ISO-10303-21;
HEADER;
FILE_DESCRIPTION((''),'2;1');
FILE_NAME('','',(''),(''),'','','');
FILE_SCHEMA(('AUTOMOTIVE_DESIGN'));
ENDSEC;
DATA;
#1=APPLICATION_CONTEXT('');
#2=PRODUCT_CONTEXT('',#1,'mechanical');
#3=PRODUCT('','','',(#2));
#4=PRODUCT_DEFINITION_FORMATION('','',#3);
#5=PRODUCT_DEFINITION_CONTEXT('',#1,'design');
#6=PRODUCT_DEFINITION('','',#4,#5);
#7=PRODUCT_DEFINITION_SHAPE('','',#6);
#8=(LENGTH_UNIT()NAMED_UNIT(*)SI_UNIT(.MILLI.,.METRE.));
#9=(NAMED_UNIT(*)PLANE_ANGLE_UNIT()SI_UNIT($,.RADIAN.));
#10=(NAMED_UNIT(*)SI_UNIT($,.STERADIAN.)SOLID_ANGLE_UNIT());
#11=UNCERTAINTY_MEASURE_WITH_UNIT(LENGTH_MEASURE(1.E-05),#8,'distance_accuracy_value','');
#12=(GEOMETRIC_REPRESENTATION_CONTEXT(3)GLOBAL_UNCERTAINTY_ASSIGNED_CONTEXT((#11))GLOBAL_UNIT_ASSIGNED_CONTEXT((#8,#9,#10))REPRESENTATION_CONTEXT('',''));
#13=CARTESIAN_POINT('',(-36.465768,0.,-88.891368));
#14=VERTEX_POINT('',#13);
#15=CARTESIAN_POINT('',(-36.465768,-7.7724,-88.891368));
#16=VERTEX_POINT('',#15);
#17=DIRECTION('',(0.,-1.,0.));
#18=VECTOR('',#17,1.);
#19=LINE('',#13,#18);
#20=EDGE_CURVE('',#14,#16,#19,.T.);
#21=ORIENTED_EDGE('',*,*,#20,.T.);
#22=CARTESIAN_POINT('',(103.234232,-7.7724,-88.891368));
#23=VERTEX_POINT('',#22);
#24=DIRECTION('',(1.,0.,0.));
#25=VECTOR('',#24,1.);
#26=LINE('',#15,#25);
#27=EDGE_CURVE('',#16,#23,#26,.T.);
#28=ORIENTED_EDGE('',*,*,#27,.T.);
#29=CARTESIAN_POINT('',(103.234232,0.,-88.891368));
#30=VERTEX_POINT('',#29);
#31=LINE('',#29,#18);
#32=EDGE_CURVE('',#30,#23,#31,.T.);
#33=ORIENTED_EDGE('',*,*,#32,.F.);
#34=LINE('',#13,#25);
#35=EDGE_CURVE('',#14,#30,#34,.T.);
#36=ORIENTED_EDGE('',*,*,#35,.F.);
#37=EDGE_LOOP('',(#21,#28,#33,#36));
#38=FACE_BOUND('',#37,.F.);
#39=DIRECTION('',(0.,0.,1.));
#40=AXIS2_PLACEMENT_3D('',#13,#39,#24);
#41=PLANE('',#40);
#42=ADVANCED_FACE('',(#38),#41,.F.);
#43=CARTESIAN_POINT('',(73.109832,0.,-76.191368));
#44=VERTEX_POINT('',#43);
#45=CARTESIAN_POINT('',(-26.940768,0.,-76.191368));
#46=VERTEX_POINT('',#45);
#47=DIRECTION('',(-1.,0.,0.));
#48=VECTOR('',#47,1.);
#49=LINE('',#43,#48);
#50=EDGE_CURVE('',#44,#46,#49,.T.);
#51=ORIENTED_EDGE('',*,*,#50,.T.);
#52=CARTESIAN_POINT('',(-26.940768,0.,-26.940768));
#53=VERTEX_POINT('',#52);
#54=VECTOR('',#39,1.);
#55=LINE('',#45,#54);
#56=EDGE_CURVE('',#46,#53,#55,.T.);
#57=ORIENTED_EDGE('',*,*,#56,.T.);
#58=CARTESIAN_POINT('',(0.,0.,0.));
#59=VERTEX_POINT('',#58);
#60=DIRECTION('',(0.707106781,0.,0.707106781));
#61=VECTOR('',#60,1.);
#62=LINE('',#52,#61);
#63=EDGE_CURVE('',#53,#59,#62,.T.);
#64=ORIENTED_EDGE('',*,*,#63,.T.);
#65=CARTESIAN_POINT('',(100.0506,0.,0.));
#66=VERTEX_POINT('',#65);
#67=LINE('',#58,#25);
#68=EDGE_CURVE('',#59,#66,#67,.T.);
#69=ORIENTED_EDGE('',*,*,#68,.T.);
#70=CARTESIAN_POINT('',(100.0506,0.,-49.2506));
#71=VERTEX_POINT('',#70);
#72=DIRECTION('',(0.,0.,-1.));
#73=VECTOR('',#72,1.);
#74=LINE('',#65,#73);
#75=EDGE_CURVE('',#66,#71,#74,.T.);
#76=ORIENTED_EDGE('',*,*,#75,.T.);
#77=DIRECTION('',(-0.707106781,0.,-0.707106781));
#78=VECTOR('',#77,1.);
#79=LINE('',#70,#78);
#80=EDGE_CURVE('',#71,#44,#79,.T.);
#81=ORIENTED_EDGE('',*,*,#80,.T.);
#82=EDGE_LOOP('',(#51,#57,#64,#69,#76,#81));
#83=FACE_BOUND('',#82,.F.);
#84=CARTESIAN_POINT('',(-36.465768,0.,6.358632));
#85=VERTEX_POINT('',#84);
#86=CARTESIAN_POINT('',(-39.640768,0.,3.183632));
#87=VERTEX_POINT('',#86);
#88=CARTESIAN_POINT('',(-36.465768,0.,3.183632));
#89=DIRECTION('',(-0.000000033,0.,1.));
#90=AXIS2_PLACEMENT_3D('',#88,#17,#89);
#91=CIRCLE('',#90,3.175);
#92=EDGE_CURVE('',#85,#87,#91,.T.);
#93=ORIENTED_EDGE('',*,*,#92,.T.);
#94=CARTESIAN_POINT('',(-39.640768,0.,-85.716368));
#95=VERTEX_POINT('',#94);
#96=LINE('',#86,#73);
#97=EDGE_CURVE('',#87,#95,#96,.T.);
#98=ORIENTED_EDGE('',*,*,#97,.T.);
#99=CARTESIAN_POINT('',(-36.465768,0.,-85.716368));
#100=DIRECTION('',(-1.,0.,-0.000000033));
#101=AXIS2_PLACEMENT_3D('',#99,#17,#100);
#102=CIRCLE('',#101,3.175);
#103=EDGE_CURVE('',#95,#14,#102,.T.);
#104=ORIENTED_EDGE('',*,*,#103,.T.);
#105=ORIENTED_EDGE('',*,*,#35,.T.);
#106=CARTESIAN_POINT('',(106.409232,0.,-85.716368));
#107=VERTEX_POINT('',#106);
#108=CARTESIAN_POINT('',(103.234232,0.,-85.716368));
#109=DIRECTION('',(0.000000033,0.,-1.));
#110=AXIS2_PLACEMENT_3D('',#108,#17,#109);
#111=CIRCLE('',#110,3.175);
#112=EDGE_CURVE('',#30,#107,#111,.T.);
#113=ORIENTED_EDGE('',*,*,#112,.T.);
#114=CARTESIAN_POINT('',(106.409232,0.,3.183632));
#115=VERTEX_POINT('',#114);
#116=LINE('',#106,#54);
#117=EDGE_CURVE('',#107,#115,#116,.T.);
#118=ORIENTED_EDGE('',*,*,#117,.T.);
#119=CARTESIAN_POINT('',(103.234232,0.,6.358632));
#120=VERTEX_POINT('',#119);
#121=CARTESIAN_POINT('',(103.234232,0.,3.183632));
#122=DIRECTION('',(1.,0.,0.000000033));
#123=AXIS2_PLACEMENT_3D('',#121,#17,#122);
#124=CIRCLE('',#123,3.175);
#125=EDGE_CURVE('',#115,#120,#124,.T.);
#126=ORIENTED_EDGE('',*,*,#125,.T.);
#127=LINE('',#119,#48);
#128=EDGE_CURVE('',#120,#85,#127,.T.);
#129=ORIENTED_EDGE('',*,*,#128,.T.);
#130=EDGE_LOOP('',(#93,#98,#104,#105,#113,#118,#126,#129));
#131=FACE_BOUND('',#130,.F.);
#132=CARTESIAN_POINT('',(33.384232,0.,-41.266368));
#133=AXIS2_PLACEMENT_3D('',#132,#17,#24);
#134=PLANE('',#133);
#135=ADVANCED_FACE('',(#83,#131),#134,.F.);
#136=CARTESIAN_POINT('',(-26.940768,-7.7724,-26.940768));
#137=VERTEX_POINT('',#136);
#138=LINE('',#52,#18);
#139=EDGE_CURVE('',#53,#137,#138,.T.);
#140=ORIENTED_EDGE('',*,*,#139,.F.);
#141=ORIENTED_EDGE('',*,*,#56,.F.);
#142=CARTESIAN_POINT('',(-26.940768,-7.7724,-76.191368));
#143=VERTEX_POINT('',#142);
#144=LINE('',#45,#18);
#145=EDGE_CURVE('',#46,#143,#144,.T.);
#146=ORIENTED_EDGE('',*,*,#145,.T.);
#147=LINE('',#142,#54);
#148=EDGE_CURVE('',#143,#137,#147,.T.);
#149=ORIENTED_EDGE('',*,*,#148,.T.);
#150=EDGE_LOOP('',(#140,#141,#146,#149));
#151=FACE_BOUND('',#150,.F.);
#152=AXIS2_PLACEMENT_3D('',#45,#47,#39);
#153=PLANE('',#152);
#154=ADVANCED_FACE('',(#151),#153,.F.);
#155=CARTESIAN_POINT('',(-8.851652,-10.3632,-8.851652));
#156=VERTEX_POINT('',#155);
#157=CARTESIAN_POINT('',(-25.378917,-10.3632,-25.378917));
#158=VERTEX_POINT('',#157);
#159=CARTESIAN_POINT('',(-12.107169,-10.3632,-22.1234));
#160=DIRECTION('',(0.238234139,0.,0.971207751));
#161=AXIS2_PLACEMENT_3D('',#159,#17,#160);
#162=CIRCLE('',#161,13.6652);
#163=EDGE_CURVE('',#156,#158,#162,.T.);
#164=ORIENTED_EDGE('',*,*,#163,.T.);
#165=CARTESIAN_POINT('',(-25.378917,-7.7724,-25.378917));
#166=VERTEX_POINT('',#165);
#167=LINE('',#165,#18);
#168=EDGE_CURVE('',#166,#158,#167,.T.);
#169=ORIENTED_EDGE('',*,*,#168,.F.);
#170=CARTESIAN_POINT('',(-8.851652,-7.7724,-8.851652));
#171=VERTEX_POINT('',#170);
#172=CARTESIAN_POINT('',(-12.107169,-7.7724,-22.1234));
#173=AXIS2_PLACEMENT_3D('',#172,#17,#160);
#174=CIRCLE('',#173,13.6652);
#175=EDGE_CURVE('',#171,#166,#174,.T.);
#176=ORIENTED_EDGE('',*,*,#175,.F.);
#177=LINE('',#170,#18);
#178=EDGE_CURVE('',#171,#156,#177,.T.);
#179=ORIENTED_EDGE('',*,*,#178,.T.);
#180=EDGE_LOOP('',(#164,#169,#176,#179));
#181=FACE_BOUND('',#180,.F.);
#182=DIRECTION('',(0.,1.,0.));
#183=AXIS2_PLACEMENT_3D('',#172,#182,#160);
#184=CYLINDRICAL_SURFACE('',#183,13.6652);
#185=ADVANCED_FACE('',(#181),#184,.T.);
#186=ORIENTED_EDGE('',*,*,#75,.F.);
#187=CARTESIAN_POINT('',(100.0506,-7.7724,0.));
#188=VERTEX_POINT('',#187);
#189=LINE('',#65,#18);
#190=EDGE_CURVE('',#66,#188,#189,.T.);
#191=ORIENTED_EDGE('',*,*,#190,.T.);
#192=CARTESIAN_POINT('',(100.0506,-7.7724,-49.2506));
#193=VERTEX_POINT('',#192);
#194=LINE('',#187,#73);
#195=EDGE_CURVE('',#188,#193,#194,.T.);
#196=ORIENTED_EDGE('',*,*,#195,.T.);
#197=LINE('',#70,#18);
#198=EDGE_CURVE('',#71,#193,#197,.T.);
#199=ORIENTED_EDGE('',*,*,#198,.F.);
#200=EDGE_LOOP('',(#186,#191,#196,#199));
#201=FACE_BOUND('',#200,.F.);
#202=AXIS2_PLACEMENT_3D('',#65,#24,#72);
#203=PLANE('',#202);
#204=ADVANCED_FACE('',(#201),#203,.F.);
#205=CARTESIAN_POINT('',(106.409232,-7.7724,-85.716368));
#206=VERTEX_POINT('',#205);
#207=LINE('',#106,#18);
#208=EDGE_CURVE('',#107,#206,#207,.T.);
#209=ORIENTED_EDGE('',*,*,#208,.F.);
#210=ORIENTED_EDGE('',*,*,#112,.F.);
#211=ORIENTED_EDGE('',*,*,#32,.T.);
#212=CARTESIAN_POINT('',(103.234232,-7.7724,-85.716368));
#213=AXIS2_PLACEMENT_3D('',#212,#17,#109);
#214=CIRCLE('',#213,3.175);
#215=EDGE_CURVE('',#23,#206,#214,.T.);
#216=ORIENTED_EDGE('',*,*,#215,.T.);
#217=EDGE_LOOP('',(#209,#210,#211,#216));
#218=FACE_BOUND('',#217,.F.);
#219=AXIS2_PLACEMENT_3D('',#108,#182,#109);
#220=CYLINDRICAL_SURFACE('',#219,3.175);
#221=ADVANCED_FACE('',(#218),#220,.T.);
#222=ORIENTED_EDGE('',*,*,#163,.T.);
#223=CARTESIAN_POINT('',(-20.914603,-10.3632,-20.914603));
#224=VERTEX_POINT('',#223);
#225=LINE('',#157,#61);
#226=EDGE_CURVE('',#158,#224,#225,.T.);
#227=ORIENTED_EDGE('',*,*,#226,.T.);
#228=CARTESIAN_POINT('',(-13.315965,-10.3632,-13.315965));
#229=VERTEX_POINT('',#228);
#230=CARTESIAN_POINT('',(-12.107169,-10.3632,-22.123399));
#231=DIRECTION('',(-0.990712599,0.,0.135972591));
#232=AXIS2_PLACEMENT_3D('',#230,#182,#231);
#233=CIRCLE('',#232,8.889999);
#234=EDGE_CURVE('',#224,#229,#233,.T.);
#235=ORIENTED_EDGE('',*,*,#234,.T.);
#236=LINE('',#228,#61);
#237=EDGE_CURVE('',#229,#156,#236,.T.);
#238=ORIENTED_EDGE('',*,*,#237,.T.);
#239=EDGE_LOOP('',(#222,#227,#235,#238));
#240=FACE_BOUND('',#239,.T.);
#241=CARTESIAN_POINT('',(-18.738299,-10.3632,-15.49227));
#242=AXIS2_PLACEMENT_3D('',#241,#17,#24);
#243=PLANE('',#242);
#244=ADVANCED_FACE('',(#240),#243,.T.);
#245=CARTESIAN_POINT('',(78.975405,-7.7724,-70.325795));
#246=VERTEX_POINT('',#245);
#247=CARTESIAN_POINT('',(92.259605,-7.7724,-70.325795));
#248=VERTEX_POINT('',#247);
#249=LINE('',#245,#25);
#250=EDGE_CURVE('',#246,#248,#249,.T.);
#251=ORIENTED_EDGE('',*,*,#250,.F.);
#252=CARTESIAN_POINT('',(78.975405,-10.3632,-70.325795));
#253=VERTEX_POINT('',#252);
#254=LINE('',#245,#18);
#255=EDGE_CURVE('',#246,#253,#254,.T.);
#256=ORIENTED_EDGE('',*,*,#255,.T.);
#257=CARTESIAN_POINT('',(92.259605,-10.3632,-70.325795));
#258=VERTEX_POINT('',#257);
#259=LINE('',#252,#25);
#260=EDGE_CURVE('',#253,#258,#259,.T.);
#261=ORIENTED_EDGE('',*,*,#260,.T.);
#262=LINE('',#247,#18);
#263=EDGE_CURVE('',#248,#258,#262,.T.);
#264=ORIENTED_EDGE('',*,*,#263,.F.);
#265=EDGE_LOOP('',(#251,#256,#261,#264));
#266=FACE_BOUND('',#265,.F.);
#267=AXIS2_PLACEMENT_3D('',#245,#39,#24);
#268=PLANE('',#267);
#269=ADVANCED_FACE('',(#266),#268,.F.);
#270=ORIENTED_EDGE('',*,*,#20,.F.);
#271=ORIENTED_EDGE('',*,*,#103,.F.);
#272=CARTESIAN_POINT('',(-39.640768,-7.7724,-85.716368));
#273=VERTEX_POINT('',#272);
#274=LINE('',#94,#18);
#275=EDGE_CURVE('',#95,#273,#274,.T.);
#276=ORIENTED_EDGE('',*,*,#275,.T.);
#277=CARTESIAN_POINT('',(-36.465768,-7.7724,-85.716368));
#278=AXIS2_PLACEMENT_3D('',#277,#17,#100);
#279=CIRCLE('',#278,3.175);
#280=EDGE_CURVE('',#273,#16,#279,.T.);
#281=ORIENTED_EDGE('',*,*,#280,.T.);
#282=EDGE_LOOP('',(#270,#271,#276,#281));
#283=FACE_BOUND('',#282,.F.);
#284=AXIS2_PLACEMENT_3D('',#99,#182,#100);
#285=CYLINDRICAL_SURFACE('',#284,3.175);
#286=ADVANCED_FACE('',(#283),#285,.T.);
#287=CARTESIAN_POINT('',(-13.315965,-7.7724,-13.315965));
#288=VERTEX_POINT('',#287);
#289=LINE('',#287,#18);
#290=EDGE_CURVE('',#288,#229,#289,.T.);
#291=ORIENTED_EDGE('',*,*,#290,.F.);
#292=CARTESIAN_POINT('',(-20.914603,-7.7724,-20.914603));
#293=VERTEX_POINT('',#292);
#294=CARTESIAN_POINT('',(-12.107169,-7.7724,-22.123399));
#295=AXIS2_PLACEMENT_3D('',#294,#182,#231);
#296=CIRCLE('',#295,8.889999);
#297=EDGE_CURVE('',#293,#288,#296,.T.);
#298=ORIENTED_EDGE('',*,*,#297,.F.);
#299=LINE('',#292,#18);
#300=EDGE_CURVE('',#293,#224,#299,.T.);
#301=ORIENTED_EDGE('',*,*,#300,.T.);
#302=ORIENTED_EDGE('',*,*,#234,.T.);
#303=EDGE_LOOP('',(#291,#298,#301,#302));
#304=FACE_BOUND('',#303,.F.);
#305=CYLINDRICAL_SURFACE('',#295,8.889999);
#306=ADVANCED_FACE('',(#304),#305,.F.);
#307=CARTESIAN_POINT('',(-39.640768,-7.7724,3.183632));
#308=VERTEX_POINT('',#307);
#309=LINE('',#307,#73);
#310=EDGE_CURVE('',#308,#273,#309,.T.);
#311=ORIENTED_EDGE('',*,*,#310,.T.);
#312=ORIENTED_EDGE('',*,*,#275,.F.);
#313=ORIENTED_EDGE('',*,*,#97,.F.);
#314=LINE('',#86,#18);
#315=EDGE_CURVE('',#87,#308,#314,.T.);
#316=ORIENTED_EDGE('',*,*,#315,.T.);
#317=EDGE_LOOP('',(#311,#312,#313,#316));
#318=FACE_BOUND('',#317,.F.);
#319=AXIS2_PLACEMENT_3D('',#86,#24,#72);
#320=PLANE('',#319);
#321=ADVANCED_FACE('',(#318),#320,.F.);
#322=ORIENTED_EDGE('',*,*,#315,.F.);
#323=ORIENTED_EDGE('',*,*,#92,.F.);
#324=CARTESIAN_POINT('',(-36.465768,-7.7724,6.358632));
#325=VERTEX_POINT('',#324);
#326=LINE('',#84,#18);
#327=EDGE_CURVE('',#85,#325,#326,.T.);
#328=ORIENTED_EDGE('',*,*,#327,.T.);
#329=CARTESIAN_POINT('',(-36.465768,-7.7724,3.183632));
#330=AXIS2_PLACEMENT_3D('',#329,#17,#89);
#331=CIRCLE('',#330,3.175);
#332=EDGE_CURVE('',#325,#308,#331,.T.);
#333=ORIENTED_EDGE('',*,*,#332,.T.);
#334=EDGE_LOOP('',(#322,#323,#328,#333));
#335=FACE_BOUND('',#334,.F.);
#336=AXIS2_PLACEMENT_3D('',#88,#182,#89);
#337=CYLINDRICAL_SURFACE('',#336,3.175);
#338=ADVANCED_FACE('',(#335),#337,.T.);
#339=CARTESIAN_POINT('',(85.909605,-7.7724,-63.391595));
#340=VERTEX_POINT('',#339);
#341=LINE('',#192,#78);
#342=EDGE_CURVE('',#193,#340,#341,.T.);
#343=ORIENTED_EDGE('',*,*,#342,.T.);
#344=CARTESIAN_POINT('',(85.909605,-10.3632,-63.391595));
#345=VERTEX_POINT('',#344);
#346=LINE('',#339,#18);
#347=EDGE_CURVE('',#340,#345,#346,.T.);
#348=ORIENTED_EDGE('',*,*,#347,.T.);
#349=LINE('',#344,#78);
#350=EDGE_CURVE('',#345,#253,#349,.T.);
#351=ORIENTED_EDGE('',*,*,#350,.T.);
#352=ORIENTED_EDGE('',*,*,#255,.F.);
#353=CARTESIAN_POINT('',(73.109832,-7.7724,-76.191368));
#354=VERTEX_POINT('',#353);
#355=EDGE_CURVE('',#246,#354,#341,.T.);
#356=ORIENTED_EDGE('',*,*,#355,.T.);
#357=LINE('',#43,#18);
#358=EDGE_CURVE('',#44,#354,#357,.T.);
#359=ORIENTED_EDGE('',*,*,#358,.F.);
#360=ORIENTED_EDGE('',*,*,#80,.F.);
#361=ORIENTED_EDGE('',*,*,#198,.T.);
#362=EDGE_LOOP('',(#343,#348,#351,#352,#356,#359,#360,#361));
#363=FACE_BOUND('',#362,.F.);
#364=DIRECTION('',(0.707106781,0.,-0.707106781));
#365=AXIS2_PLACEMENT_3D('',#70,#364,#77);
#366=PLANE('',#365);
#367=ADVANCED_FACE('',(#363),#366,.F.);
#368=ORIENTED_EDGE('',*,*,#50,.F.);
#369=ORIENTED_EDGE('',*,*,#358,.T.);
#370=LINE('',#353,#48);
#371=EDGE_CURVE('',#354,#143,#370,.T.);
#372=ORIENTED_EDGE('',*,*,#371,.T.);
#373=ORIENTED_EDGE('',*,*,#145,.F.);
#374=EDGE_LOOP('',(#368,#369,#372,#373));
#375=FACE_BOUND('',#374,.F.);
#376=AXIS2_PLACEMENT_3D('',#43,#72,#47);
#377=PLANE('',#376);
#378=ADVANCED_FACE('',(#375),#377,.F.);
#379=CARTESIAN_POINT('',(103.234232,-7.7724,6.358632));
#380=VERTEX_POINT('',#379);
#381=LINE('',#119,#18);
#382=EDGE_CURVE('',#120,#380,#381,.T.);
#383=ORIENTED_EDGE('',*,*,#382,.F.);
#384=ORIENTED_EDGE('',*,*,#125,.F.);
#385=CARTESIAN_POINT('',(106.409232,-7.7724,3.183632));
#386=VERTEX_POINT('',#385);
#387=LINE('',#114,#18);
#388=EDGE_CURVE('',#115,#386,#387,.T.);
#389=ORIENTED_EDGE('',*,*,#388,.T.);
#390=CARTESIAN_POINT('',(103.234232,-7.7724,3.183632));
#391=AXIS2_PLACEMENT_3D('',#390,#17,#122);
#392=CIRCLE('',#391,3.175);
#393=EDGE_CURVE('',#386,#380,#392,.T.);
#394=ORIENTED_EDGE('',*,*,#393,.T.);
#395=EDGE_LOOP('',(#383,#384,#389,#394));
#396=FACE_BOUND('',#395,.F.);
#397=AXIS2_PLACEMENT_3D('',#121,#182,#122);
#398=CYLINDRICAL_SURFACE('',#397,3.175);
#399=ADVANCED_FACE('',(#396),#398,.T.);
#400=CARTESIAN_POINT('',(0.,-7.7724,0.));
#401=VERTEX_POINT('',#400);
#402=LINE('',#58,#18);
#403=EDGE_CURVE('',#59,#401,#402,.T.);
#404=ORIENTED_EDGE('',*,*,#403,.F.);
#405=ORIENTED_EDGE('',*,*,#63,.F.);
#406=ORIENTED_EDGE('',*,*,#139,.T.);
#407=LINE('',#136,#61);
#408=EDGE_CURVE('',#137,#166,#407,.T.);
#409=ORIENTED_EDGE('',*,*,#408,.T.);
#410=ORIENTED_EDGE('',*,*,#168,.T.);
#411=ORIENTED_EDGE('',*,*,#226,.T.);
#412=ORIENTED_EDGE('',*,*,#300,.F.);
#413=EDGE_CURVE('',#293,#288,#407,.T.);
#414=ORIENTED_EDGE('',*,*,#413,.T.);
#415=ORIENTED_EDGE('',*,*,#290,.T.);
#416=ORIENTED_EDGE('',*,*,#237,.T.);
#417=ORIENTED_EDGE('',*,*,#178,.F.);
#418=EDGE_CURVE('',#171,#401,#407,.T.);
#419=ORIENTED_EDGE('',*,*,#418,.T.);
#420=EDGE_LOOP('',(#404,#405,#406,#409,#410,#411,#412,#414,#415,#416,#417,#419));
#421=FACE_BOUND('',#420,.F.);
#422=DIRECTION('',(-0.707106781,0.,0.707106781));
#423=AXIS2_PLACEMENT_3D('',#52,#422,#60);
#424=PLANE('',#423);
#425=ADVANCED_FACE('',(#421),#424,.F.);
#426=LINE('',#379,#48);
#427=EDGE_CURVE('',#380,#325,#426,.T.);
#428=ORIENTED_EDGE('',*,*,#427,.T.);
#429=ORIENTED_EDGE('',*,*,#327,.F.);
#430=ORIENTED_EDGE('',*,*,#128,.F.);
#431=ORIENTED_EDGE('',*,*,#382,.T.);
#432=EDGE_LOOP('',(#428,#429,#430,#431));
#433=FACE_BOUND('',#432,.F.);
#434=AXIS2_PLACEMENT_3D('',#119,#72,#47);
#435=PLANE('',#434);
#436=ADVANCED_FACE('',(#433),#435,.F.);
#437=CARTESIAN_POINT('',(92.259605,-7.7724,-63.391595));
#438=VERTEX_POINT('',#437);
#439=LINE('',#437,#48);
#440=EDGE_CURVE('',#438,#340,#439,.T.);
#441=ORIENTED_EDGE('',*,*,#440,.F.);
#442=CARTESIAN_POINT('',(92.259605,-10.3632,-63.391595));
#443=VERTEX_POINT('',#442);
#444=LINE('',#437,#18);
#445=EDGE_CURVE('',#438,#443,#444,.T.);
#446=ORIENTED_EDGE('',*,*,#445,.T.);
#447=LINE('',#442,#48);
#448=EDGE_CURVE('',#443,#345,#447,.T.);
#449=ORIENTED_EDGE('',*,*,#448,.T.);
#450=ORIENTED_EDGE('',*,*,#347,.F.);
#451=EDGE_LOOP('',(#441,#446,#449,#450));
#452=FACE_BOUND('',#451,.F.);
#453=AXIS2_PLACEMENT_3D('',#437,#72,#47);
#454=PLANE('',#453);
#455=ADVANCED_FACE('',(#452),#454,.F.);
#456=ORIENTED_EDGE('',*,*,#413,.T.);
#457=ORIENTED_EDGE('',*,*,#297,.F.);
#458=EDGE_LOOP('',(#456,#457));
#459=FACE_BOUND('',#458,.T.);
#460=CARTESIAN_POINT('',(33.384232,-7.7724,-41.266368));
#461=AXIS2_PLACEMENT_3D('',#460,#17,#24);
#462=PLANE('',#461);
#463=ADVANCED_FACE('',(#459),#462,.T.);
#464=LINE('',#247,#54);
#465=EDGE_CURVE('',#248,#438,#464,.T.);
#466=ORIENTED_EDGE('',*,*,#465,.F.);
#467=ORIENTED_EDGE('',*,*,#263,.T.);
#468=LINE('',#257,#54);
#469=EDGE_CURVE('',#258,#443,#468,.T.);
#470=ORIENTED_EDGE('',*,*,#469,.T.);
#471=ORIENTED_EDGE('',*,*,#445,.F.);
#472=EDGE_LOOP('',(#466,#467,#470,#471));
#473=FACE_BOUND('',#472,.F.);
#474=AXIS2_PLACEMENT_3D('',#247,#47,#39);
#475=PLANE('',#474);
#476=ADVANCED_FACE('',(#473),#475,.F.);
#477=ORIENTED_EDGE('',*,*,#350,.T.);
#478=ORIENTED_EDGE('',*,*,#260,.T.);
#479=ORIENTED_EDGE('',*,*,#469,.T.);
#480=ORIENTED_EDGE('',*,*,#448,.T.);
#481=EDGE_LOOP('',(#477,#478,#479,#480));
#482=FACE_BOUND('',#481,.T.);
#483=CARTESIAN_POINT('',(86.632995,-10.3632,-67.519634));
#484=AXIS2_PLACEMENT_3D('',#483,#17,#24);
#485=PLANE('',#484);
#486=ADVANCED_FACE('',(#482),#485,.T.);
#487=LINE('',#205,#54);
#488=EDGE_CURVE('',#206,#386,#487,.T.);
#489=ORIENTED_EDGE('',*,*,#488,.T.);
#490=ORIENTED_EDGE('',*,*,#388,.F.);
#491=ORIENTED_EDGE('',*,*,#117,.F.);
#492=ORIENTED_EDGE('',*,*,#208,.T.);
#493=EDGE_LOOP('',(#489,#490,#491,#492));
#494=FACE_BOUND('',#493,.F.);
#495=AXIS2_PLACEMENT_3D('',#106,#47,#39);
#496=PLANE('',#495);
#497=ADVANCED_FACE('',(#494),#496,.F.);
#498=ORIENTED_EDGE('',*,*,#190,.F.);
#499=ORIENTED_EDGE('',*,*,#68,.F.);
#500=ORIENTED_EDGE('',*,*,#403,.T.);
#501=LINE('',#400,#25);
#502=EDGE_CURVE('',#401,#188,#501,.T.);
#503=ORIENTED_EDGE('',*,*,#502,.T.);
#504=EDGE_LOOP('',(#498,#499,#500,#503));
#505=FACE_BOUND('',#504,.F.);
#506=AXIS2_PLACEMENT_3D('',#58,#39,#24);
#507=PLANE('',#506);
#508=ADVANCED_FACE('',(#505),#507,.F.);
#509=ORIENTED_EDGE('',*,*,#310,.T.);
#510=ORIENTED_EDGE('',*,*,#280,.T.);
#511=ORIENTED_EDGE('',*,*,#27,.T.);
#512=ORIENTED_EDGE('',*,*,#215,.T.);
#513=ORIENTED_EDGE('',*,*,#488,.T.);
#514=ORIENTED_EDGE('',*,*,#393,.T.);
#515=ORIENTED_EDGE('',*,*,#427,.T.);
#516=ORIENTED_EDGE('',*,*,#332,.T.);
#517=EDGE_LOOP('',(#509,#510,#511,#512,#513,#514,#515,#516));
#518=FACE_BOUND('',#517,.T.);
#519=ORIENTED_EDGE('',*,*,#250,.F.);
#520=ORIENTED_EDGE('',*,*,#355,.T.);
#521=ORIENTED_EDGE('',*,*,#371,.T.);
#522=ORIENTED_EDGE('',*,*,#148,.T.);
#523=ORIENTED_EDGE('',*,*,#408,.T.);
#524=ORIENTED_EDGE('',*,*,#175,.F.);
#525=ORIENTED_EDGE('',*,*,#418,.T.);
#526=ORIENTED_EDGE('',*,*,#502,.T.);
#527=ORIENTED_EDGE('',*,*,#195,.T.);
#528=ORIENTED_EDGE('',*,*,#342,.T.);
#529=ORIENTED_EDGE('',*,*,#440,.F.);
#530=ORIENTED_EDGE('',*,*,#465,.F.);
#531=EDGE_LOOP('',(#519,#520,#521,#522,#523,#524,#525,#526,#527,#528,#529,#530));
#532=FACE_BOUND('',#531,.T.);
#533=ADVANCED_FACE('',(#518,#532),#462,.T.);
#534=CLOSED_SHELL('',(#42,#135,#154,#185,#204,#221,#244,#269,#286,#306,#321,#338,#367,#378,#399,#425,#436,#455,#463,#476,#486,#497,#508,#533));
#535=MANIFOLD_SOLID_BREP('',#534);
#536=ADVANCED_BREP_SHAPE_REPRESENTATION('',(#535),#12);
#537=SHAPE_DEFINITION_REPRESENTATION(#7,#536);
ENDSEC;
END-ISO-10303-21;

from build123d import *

# Parameters (mm, degrees)
F1_DEPTH = 7.7724
F3_DEPTH = 2.5908


with BuildPart() as f1:
    # F0 (on Front) → F1 (new body)
    with BuildSketch(Plane.XZ):
        with BuildLine():
            Line((103.234232, 6.358632), (-36.465768, 6.358632))
            ThreePointArc((-36.465768, 6.358632), (-38.710832, 5.428696), (-39.640768, 3.183632))
            Line((-39.640768, 3.183632), (-39.640768, -85.716368))
            ThreePointArc((-39.640768, -85.716368), (-38.710832, -87.961432), (-36.465768, -88.891368))
            Line((-36.465768, -88.891368), (103.234232, -88.891368))
            ThreePointArc((103.234232, -88.891368), (105.479296, -87.961432), (106.409232, -85.716368))
            Line((106.409232, -85.716368), (106.409232, 3.183632))
            ThreePointArc((106.409232, 3.183632), (105.479296, 5.428696), (103.234232, 6.358632))
        make_face()
        Polygon((73.109832, -76.191368), (-26.940768, -76.191368), (-26.940768, -26.940768), (0, 0), (100.0506, 0), (100.0506, -49.2506), align=None, mode=Mode.SUBTRACT)
    extrude(amount=F1_DEPTH)

    # F2 (on face) → F3 (join)
    with BuildSketch(Plane.XZ.offset(7.7724)):
        Polygon((92.259605, -63.391595), (85.909605, -63.391595), (78.975405, -70.325795), (92.259605, -70.325795), align=None)
        with BuildLine():
            Line((-13.315965, -13.315965), (-8.851652, -8.851652))
            ThreePointArc((-8.851652, -8.851652), (-21.769924, -12.460644), (-25.378917, -25.378917))
            Line((-25.378917, -25.378917), (-20.914603, -20.914603))
            ThreePointArc((-20.914603, -20.914603), (-18.393348, -15.837221), (-13.315965, -13.315965))
        make_face()
    extrude(amount=F3_DEPTH)


solid = f1.part
